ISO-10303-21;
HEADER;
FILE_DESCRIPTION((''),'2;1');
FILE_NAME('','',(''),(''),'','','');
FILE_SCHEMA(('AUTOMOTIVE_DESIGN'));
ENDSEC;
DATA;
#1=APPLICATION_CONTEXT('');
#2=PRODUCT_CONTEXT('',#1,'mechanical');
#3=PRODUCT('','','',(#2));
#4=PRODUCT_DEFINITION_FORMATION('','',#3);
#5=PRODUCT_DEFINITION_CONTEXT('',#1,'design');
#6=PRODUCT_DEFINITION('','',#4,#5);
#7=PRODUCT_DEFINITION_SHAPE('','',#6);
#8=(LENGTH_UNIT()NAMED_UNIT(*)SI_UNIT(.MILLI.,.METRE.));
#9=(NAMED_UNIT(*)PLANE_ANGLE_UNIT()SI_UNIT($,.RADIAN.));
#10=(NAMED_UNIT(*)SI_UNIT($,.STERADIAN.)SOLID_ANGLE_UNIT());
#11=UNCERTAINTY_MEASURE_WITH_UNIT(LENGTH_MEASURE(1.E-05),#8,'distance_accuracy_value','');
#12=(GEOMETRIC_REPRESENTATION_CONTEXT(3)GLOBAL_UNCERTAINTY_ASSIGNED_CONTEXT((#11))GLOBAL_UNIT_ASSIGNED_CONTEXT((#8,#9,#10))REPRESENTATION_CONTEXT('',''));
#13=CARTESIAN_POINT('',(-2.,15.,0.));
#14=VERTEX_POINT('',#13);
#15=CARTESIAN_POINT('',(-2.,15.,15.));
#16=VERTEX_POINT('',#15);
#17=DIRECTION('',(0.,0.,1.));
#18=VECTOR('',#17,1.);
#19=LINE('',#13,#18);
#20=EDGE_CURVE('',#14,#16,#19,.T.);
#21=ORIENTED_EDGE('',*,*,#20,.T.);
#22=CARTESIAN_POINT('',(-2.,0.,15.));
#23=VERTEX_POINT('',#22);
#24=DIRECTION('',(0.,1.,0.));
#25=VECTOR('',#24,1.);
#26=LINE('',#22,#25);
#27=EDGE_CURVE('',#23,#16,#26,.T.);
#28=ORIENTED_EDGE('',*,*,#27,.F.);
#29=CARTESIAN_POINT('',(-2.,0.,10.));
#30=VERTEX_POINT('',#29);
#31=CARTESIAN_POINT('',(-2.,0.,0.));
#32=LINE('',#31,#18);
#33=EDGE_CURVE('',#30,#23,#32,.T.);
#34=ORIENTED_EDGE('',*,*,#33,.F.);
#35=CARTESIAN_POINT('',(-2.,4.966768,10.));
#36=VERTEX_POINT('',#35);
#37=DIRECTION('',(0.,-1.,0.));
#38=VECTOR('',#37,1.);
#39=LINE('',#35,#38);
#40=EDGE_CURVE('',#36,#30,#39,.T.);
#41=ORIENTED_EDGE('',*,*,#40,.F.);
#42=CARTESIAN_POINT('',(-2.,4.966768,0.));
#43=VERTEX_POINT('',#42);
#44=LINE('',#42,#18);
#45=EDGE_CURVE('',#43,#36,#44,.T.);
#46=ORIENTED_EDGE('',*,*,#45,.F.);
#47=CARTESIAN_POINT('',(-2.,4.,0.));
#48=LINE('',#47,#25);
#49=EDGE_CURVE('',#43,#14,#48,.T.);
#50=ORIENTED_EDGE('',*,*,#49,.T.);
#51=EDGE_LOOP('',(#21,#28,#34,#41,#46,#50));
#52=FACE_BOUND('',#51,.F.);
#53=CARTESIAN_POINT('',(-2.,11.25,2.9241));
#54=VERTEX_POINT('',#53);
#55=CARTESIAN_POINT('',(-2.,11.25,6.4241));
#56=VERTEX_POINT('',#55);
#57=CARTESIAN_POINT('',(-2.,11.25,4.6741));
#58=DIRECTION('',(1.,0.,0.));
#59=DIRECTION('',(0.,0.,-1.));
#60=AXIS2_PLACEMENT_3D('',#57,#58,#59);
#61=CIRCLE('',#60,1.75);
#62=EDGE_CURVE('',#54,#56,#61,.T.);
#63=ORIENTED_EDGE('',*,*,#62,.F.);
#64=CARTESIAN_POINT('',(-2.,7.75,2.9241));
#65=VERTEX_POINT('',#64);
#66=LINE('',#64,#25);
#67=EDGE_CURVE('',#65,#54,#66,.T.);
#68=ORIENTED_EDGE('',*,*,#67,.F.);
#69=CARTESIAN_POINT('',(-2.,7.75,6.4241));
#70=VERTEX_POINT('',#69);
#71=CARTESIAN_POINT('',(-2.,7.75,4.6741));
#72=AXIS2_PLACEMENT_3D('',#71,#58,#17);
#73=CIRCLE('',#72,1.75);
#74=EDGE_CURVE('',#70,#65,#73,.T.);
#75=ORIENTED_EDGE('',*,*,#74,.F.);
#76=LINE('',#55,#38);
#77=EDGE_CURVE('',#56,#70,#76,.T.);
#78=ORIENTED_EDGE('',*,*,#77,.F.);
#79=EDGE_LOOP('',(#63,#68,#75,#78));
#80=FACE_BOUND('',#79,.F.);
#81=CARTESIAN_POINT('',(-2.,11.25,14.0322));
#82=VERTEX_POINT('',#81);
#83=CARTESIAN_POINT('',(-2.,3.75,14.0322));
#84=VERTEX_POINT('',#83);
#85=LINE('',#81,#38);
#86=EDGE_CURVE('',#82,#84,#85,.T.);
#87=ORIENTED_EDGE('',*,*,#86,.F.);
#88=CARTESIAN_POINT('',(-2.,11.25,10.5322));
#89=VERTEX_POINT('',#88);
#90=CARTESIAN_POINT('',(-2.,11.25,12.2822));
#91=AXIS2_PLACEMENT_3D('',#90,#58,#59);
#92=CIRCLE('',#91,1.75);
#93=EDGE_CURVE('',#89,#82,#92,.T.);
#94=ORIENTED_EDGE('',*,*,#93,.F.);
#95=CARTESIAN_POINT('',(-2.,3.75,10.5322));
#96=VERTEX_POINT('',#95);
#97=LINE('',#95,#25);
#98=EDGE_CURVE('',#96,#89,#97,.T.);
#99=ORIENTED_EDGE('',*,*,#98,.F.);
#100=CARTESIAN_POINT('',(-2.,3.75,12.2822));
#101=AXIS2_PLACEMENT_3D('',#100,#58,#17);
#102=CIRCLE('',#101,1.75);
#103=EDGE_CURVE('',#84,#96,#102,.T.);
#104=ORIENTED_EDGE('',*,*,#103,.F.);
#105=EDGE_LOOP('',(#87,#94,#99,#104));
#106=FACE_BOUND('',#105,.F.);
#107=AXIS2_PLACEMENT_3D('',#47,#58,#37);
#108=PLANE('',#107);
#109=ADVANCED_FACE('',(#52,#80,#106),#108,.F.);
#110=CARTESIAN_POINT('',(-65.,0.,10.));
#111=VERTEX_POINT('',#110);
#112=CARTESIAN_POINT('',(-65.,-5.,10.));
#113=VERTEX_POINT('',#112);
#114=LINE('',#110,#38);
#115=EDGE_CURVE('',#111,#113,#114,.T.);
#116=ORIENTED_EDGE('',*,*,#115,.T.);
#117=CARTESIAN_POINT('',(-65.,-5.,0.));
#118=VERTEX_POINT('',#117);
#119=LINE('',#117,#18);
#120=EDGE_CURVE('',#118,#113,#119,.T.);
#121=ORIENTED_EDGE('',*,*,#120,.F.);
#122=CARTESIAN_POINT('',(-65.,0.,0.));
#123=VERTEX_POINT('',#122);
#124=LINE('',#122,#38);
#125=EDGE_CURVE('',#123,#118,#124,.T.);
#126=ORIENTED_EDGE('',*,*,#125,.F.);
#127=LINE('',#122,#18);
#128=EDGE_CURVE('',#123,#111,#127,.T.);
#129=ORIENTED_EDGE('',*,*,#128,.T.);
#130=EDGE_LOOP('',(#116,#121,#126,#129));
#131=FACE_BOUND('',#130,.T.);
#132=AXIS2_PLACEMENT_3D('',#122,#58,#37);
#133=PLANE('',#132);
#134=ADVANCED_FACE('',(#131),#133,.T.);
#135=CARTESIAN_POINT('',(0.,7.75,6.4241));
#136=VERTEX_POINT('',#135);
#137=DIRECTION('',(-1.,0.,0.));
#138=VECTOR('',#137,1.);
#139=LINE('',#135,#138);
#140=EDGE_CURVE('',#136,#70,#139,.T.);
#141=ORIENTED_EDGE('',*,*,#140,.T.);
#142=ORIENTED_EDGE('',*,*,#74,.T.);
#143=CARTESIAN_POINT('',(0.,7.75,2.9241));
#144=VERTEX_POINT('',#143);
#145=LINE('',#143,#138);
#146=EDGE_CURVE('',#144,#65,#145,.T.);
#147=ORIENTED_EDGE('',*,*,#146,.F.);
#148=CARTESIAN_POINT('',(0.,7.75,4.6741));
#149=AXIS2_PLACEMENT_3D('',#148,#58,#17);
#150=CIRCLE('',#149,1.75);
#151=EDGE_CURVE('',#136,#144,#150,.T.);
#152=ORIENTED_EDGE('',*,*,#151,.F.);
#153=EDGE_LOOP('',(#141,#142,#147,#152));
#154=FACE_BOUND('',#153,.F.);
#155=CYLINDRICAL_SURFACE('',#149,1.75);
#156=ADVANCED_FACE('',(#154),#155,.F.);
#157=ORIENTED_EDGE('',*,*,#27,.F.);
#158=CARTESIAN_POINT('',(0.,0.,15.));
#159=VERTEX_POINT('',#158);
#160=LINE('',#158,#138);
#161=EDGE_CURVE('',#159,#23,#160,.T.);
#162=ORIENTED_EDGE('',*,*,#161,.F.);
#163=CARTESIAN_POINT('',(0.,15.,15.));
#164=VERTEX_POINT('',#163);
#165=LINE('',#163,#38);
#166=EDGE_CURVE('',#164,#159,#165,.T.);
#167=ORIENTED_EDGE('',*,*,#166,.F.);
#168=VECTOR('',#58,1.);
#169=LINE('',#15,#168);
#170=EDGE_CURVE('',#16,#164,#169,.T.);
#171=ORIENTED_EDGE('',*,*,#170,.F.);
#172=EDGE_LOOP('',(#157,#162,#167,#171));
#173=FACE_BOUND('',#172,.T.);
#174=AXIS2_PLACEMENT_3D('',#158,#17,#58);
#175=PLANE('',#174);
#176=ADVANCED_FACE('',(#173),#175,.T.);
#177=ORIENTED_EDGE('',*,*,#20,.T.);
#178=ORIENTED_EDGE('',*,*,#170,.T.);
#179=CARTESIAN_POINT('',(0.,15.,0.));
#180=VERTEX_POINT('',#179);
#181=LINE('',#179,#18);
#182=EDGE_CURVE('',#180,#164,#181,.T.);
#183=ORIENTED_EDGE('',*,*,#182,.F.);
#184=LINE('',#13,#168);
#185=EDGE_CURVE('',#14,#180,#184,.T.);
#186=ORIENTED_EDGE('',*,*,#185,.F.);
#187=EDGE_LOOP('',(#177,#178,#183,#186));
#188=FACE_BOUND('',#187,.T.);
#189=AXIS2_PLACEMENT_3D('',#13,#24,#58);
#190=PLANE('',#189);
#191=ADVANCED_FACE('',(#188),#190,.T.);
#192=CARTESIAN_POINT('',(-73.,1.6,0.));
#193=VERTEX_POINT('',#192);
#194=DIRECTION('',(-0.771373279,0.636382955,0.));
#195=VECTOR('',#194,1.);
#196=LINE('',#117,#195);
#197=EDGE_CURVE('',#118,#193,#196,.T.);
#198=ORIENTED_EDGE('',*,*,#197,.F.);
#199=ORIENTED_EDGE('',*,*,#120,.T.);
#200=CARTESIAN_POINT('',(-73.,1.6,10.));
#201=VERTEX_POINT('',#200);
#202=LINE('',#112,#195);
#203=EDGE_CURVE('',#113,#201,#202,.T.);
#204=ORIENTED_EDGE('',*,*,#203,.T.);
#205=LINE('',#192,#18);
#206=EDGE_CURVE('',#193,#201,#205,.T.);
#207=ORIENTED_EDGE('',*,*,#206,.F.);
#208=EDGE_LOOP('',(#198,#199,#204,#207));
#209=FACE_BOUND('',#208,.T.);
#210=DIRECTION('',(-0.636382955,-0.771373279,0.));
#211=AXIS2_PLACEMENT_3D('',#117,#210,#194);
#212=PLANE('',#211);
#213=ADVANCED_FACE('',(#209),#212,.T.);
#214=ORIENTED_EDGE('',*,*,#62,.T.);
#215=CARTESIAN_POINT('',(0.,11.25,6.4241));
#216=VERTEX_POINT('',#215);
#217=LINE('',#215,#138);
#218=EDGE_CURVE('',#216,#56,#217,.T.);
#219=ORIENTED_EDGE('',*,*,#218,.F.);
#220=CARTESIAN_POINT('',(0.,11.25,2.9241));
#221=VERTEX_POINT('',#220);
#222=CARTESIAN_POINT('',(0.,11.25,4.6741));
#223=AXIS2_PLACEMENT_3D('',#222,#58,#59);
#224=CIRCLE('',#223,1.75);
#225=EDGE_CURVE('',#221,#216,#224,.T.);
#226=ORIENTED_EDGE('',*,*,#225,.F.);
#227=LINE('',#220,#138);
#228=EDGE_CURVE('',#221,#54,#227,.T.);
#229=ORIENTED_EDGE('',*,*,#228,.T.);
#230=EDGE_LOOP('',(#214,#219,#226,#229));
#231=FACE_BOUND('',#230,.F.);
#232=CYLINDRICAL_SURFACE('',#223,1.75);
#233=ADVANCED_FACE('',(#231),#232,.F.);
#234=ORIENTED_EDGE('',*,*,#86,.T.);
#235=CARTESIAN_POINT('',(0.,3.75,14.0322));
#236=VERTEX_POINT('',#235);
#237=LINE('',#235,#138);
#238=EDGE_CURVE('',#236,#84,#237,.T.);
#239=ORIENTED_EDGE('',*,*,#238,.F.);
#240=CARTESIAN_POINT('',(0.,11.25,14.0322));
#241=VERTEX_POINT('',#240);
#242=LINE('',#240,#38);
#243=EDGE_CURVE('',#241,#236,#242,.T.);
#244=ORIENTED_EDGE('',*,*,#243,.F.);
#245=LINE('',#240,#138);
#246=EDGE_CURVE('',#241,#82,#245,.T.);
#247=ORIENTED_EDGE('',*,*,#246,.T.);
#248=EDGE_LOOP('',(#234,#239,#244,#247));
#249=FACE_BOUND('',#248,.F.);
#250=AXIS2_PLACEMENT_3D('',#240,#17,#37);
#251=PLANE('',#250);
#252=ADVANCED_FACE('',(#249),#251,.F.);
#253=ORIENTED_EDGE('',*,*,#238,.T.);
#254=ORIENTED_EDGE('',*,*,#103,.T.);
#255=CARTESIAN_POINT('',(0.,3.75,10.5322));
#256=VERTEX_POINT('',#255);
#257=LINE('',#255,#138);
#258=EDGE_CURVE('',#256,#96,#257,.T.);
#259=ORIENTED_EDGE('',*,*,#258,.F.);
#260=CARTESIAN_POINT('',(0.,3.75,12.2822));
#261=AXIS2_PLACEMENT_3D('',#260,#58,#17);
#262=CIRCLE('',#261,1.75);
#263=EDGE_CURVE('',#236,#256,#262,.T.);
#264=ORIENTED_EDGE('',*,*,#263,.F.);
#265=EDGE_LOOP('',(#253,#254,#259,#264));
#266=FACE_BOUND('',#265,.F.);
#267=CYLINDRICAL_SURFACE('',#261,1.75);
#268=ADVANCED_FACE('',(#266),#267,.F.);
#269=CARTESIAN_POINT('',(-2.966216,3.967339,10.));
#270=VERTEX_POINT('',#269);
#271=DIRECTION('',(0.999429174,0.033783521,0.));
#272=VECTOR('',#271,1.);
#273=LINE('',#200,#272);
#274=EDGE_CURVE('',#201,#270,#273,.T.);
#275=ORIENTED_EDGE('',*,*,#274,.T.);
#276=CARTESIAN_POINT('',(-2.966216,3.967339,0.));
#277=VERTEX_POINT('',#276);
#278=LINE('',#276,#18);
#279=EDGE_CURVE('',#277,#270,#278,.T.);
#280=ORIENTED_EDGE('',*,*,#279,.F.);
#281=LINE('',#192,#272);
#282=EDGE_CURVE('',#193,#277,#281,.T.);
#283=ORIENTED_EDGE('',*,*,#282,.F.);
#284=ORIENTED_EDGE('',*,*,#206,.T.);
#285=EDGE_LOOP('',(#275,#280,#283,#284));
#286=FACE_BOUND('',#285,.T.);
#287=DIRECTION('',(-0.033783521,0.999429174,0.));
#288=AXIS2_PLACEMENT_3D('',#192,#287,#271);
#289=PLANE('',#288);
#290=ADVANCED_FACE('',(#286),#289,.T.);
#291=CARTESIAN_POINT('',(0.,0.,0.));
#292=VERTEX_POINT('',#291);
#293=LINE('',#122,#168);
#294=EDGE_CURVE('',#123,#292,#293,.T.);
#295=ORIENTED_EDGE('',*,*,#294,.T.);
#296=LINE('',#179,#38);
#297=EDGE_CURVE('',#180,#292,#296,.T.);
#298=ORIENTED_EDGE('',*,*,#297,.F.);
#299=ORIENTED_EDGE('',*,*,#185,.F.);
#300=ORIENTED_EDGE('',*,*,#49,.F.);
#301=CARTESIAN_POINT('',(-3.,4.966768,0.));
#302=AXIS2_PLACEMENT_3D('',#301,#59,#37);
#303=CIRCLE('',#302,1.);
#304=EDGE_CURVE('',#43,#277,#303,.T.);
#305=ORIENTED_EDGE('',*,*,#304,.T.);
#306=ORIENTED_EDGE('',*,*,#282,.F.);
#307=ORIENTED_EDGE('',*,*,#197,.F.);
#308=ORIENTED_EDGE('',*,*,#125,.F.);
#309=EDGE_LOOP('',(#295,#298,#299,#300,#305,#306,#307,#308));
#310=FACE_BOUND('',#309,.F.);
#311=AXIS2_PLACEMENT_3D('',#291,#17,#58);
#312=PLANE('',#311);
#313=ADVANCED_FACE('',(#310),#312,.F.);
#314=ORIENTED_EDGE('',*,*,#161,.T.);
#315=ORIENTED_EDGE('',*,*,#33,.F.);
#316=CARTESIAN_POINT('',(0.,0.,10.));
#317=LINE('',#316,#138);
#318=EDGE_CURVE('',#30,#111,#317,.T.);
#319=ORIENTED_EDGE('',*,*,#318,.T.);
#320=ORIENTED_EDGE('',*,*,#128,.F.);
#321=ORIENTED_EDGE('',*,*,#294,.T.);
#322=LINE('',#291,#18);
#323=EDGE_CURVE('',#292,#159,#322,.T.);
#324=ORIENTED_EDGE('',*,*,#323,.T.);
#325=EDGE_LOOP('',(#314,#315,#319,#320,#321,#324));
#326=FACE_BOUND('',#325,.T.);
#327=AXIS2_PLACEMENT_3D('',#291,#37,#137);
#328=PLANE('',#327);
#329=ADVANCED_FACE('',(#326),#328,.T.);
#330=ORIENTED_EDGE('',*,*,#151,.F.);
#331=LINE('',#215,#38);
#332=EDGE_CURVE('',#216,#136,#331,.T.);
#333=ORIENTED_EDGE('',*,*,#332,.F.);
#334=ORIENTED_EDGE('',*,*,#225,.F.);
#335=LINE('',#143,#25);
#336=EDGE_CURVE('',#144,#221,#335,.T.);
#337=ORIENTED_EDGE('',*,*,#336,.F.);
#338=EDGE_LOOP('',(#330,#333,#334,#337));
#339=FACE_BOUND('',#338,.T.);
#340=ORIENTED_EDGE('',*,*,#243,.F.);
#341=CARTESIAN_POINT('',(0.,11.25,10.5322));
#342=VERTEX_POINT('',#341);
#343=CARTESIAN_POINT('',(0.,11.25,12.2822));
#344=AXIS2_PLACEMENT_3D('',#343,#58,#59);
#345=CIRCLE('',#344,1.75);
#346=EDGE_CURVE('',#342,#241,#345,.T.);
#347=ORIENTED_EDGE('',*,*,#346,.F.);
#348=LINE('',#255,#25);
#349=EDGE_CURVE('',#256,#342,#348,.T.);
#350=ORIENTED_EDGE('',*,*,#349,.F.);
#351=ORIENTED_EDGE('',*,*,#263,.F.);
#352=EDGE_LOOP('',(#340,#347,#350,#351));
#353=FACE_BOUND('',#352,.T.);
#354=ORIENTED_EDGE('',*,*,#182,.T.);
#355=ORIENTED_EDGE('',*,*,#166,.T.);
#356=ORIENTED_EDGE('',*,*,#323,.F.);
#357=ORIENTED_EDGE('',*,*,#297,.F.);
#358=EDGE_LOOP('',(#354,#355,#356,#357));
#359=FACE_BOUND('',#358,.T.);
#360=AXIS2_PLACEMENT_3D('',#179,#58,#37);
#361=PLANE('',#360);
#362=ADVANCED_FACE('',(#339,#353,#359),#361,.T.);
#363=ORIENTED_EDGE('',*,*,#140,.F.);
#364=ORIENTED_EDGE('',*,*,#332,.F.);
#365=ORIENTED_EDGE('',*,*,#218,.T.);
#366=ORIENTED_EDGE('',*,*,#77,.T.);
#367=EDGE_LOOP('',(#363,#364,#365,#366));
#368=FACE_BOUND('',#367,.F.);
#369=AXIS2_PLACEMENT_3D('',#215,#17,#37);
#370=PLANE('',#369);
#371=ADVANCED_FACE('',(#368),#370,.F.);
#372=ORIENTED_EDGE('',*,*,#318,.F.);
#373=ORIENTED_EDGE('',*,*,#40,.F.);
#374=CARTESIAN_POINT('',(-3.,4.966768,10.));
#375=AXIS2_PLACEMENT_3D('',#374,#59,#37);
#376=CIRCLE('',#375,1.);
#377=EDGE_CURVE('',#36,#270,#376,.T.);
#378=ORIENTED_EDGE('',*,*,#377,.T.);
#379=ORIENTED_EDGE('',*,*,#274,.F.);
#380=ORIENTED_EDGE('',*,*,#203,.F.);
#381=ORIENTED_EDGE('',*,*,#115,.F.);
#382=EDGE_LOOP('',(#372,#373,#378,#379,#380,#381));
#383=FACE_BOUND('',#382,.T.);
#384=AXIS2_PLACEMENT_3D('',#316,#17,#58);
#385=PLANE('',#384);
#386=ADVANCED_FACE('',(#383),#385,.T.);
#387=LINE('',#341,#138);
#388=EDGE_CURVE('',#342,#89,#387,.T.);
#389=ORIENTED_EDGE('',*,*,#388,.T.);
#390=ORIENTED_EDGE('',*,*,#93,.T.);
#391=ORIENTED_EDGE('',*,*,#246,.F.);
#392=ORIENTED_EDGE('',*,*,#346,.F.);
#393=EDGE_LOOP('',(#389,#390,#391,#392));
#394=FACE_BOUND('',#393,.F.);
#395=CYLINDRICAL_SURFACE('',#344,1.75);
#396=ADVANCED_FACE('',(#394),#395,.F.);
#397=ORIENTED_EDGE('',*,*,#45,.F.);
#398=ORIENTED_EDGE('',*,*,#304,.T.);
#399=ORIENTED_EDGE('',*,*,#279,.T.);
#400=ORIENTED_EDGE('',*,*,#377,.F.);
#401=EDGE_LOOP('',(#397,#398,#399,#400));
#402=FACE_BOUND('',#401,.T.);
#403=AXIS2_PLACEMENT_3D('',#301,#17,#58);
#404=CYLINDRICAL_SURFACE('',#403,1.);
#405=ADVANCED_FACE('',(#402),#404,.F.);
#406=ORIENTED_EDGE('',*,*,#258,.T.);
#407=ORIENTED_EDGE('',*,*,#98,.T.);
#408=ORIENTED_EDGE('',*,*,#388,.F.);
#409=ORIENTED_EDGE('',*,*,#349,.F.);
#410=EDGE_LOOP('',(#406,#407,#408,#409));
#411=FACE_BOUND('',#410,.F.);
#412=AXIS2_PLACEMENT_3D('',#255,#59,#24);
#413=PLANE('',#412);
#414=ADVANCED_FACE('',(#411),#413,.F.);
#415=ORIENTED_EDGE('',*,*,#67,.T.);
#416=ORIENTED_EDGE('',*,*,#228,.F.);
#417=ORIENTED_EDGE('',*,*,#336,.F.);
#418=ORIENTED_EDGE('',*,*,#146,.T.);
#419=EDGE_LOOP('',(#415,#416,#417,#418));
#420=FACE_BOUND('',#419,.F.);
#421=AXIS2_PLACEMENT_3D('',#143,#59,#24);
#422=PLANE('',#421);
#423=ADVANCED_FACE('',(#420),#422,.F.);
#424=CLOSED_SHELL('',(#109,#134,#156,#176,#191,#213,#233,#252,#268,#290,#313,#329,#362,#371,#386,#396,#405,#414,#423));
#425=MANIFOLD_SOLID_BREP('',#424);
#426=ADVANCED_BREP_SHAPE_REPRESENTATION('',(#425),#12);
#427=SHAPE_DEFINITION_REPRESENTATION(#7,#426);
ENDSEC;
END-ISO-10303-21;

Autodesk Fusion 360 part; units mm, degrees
sketch "Sketch1" plane through (0, 0, 0) normal (0, 0, 1) x (1, 0, 0)
  line L0 (0, 0) -> (-65, 0)
  line L1 (-65, 0) -> (-65, -5)
  line L2 (-65, -5) -> (-73, 1.6)
  line L3 (-73, 1.6) -> (-2, 4)
  line L4 (-2, 4) -> (-2, 15)
  line L5 (-2, 15) -> (0, 15)
  line L6 (0, 15) -> (0, 0)
  line L7 (-2, 4) -> (-2, 0)
  dimension "d1" = 65
  dimension "d2" = 15
  dimension "d3" = 2
  dimension "d4" = 5
  dimension "d5" = 8
  dimension "d6" = 1.6
  dimension "d7" = 4
extrude "Extrude1" add sketch "Sketch1" along normal blind 15 contours L0 L4 L5 L6 L7
extrude "Extrude2" add sketch "Sketch1" along normal blind 10 contours L0 L1 L2 L3 L7
sketch "Sketch2" plane through (0, 0, 0) normal (1, 0, 0) x (0, 1, 0)
  line L0 (0, 0) -> (15, 0)
  line L1 (15, 0) -> (15, 15)
  line L2 (15, 15) -> (0, 15)
  line L3 (0, 15) -> (0, 0)
  line L4 (4, 10) -> (0, 10) construction
  line L5 (4, 0) -> (4, 10) construction
  line L6 (3.75, 10.5322) -> (11.25, 10.5322)
  arc A0 (11.25, 10.5322) -> (11.25, 14.0322) centre (11.25, 12.2822) ccw
  line L7 (11.25, 14.0322) -> (3.75, 14.0322)
  arc A1 (3.75, 14.0322) -> (3.75, 10.5322) centre (3.75, 12.2822) ccw
  line L8 (3.75, 12.2822) -> (11.25, 12.2822) construction
  line L9 (7.5, 15) -> (7.5, 0) construction
  line L10 (7.75, 2.9241) -> (11.25, 2.9241)
  arc A2 (11.25, 2.9241) -> (11.25, 6.4241) centre (11.25, 4.6741) ccw
  line L11 (11.25, 6.4241) -> (7.75, 6.4241)
  arc A3 (7.75, 6.4241) -> (7.75, 2.9241) centre (7.75, 4.6741) ccw
  line L12 (6, 4.6741) -> (13, 4.6741) construction
  dimension "d12" = 3.5
  dimension "d13" = 3.5
  dimension "d14" = 2
  dimension "d15" = 2
  dimension "d16" = 2
  dimension "d17" = 2
extrude "Extrude3" cut sketch "Sketch2" against normal up to surface (2 mm away) contours L6 A0 L7 A1 | L10 A2 L11 A3
fillet "Fillet1" radius 1 1 edges at (-2, 4, 5)
equation "d13 = d12"
